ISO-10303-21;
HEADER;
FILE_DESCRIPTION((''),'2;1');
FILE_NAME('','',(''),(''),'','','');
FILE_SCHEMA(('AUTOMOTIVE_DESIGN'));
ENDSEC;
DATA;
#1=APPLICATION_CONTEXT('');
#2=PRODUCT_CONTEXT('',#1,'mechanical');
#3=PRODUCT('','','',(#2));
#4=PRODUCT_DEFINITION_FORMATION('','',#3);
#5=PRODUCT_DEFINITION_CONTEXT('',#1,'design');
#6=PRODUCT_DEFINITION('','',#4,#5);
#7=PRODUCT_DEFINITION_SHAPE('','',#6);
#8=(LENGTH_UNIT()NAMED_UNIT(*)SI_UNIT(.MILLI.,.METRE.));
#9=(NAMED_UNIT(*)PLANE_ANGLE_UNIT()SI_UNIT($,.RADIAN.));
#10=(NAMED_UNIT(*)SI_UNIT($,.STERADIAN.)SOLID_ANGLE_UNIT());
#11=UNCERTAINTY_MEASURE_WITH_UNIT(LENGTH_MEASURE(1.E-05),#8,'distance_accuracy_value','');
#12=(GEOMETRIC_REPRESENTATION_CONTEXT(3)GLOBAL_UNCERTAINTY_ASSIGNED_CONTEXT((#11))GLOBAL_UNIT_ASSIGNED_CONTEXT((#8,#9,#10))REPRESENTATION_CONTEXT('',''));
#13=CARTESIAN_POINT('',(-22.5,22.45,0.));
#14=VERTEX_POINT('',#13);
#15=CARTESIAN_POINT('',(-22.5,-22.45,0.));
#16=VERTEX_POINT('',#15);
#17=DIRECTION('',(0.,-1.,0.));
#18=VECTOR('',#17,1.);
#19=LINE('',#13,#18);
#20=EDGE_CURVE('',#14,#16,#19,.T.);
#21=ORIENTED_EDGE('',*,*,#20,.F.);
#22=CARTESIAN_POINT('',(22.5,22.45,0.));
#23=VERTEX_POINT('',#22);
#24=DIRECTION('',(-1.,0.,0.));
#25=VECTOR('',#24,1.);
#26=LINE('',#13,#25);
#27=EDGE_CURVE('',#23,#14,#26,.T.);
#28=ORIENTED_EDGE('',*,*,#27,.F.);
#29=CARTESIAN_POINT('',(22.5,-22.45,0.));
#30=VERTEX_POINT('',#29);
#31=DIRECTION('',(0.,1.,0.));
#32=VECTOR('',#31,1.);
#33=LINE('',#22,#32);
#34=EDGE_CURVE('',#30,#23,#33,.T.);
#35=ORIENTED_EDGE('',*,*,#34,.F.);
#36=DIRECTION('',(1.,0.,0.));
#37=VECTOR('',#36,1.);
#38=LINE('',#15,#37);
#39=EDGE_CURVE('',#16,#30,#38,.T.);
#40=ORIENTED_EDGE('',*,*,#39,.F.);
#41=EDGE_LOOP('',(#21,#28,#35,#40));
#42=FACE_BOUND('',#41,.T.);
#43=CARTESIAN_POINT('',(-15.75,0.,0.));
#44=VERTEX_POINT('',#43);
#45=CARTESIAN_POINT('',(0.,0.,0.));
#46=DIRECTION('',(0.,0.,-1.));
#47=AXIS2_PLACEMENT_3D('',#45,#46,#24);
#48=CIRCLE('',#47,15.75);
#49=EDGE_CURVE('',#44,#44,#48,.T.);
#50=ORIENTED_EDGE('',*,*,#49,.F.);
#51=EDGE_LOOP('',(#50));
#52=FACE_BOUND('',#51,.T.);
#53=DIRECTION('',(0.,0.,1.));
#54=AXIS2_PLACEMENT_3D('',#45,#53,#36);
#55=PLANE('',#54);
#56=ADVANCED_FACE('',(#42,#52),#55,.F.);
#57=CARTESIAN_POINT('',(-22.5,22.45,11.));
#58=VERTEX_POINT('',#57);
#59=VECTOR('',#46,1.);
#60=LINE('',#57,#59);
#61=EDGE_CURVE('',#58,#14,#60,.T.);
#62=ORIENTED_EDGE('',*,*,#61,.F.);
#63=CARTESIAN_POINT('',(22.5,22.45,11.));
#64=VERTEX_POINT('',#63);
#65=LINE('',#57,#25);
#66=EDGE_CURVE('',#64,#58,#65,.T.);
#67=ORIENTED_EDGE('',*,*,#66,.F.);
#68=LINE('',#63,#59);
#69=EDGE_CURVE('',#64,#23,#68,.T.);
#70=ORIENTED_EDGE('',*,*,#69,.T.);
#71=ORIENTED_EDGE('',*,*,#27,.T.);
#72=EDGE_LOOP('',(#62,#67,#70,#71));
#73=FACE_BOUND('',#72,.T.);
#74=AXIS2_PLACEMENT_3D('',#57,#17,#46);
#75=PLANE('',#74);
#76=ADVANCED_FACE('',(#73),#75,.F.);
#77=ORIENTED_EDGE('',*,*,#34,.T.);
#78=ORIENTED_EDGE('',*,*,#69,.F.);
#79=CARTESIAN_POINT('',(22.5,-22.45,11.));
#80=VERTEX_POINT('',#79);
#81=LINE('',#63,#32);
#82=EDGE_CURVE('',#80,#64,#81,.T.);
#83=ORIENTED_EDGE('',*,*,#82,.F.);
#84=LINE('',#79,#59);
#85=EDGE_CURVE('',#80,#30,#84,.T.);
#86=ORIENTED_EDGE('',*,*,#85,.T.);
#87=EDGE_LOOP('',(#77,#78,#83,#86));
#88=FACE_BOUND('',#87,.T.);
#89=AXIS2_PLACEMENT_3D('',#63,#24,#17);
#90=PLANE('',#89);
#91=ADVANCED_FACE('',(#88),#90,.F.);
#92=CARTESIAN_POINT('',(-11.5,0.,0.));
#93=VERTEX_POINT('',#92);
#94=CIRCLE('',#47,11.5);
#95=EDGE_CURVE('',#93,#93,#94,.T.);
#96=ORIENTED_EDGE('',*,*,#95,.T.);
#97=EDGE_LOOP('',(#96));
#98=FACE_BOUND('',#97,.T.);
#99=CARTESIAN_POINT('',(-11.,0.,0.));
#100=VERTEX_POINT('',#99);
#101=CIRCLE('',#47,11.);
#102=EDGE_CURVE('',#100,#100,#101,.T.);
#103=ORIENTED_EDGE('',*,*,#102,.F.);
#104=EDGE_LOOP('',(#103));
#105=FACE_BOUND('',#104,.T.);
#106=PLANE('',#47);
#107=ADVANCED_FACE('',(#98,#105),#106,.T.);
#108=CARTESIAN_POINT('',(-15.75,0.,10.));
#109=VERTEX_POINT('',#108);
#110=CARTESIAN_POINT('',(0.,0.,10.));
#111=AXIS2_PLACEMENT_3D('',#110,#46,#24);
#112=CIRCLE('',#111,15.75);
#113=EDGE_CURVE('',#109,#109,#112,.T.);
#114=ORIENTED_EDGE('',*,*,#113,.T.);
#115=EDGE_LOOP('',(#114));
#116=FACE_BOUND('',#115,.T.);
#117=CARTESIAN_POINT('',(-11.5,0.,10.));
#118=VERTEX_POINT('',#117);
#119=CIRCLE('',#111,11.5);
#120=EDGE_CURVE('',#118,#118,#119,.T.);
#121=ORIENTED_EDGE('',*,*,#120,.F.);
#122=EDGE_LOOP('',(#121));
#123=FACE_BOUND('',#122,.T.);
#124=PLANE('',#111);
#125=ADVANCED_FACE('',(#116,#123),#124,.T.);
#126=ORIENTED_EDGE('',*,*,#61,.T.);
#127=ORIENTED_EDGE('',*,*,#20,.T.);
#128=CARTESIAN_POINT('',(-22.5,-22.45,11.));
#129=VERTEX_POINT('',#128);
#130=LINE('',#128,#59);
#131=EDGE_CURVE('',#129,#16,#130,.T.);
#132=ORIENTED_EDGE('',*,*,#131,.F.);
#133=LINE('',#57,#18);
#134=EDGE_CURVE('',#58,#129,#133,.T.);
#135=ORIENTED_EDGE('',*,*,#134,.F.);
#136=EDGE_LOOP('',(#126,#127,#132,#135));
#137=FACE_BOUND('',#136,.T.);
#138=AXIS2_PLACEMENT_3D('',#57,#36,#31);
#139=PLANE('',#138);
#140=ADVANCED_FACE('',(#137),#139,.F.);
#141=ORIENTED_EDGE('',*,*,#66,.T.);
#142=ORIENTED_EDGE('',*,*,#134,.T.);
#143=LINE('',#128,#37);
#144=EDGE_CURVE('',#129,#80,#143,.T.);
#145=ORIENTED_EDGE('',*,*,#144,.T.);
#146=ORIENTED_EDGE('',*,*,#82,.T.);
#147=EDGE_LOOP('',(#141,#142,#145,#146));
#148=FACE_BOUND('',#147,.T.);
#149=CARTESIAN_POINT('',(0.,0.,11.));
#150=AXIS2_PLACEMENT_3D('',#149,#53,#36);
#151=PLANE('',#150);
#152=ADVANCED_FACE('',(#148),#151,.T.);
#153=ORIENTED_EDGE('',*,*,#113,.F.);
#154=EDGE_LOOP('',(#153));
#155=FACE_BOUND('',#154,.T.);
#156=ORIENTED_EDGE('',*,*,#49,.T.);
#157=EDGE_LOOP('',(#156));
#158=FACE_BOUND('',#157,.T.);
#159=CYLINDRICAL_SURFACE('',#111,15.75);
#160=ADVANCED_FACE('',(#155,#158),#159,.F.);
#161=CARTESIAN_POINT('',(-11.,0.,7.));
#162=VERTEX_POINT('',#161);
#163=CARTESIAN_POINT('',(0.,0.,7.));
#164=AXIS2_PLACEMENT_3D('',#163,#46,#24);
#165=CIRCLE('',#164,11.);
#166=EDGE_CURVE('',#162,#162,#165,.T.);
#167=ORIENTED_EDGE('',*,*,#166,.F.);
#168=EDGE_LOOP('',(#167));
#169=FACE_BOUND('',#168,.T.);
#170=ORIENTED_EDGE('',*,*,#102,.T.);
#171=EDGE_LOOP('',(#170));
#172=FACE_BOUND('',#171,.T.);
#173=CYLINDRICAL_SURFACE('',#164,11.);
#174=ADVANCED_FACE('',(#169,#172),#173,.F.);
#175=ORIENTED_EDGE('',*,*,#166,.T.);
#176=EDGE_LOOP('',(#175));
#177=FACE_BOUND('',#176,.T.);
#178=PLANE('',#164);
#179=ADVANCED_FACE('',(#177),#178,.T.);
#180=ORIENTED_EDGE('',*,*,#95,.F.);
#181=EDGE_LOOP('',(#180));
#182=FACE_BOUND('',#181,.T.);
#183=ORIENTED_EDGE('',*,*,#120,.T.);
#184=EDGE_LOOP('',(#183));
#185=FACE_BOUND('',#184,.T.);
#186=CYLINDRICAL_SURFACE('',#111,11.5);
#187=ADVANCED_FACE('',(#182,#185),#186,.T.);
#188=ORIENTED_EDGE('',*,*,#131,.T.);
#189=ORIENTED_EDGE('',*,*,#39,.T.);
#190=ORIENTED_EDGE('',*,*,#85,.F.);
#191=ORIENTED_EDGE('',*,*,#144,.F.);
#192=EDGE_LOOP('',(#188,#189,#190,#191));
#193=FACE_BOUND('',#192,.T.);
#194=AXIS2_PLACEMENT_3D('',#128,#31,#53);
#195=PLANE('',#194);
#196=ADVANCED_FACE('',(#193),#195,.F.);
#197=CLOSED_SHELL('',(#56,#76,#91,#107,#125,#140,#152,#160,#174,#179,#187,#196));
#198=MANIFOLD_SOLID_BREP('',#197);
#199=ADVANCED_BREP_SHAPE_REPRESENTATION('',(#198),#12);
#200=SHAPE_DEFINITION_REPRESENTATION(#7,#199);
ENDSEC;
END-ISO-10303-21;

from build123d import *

# Parameters (mm, degrees)
SKIZZE1_W                       = 45
SKIZZE1_H                       = 44.9
AUFSATZ_LINEAR_AUSTRAGEN1_DEPTH = 11
SKIZZE3_R                       = 15.75
SCHNITT_LINEAR_AUSTRAGEN1_DEPTH = 10
SKIZZE7_R                       = 11.5
AUFSATZ_LINEAR_AUSTRAGEN3_DEPTH = 10
SKIZZE8_R                       = 11
SCHNITT_LINEAR_AUSTRAGEN4_DEPTH = 7


with BuildPart() as part:
    # Skizze1 → Aufsatz-Linear austragen1 (new body)
    with BuildSketch(Plane.XY):
        Rectangle(SKIZZE1_W, SKIZZE1_H)
    extrude(amount=AUFSATZ_LINEAR_AUSTRAGEN1_DEPTH)

    # Skizze3 → Schnitt-Linear austragen1 (cut)
    with BuildSketch(Plane(origin=(0, 0, 0), x_dir=(-1, 0, 0), z_dir=(0, 0, -1))):
        Circle(SKIZZE3_R)
    extrude(amount=-SCHNITT_LINEAR_AUSTRAGEN1_DEPTH, mode=Mode.SUBTRACT)

    # Skizze7 → Aufsatz-Linear austragen3 (add)
    with BuildSketch(Plane(origin=(0, 0, 0), x_dir=(-1, 0, 0), z_dir=(0, 0, -1))):
        Circle(SKIZZE7_R)
    extrude(amount=-AUFSATZ_LINEAR_AUSTRAGEN3_DEPTH)

    # Skizze8 → Schnitt-Linear austragen4 (cut)
    with BuildSketch(Plane(origin=(0, 0, 0), x_dir=(-1, 0, 0), z_dir=(0, 0, -1))):
        Circle(SKIZZE8_R)
    extrude(amount=-SCHNITT_LINEAR_AUSTRAGEN4_DEPTH, mode=Mode.SUBTRACT)


solid = part.part
